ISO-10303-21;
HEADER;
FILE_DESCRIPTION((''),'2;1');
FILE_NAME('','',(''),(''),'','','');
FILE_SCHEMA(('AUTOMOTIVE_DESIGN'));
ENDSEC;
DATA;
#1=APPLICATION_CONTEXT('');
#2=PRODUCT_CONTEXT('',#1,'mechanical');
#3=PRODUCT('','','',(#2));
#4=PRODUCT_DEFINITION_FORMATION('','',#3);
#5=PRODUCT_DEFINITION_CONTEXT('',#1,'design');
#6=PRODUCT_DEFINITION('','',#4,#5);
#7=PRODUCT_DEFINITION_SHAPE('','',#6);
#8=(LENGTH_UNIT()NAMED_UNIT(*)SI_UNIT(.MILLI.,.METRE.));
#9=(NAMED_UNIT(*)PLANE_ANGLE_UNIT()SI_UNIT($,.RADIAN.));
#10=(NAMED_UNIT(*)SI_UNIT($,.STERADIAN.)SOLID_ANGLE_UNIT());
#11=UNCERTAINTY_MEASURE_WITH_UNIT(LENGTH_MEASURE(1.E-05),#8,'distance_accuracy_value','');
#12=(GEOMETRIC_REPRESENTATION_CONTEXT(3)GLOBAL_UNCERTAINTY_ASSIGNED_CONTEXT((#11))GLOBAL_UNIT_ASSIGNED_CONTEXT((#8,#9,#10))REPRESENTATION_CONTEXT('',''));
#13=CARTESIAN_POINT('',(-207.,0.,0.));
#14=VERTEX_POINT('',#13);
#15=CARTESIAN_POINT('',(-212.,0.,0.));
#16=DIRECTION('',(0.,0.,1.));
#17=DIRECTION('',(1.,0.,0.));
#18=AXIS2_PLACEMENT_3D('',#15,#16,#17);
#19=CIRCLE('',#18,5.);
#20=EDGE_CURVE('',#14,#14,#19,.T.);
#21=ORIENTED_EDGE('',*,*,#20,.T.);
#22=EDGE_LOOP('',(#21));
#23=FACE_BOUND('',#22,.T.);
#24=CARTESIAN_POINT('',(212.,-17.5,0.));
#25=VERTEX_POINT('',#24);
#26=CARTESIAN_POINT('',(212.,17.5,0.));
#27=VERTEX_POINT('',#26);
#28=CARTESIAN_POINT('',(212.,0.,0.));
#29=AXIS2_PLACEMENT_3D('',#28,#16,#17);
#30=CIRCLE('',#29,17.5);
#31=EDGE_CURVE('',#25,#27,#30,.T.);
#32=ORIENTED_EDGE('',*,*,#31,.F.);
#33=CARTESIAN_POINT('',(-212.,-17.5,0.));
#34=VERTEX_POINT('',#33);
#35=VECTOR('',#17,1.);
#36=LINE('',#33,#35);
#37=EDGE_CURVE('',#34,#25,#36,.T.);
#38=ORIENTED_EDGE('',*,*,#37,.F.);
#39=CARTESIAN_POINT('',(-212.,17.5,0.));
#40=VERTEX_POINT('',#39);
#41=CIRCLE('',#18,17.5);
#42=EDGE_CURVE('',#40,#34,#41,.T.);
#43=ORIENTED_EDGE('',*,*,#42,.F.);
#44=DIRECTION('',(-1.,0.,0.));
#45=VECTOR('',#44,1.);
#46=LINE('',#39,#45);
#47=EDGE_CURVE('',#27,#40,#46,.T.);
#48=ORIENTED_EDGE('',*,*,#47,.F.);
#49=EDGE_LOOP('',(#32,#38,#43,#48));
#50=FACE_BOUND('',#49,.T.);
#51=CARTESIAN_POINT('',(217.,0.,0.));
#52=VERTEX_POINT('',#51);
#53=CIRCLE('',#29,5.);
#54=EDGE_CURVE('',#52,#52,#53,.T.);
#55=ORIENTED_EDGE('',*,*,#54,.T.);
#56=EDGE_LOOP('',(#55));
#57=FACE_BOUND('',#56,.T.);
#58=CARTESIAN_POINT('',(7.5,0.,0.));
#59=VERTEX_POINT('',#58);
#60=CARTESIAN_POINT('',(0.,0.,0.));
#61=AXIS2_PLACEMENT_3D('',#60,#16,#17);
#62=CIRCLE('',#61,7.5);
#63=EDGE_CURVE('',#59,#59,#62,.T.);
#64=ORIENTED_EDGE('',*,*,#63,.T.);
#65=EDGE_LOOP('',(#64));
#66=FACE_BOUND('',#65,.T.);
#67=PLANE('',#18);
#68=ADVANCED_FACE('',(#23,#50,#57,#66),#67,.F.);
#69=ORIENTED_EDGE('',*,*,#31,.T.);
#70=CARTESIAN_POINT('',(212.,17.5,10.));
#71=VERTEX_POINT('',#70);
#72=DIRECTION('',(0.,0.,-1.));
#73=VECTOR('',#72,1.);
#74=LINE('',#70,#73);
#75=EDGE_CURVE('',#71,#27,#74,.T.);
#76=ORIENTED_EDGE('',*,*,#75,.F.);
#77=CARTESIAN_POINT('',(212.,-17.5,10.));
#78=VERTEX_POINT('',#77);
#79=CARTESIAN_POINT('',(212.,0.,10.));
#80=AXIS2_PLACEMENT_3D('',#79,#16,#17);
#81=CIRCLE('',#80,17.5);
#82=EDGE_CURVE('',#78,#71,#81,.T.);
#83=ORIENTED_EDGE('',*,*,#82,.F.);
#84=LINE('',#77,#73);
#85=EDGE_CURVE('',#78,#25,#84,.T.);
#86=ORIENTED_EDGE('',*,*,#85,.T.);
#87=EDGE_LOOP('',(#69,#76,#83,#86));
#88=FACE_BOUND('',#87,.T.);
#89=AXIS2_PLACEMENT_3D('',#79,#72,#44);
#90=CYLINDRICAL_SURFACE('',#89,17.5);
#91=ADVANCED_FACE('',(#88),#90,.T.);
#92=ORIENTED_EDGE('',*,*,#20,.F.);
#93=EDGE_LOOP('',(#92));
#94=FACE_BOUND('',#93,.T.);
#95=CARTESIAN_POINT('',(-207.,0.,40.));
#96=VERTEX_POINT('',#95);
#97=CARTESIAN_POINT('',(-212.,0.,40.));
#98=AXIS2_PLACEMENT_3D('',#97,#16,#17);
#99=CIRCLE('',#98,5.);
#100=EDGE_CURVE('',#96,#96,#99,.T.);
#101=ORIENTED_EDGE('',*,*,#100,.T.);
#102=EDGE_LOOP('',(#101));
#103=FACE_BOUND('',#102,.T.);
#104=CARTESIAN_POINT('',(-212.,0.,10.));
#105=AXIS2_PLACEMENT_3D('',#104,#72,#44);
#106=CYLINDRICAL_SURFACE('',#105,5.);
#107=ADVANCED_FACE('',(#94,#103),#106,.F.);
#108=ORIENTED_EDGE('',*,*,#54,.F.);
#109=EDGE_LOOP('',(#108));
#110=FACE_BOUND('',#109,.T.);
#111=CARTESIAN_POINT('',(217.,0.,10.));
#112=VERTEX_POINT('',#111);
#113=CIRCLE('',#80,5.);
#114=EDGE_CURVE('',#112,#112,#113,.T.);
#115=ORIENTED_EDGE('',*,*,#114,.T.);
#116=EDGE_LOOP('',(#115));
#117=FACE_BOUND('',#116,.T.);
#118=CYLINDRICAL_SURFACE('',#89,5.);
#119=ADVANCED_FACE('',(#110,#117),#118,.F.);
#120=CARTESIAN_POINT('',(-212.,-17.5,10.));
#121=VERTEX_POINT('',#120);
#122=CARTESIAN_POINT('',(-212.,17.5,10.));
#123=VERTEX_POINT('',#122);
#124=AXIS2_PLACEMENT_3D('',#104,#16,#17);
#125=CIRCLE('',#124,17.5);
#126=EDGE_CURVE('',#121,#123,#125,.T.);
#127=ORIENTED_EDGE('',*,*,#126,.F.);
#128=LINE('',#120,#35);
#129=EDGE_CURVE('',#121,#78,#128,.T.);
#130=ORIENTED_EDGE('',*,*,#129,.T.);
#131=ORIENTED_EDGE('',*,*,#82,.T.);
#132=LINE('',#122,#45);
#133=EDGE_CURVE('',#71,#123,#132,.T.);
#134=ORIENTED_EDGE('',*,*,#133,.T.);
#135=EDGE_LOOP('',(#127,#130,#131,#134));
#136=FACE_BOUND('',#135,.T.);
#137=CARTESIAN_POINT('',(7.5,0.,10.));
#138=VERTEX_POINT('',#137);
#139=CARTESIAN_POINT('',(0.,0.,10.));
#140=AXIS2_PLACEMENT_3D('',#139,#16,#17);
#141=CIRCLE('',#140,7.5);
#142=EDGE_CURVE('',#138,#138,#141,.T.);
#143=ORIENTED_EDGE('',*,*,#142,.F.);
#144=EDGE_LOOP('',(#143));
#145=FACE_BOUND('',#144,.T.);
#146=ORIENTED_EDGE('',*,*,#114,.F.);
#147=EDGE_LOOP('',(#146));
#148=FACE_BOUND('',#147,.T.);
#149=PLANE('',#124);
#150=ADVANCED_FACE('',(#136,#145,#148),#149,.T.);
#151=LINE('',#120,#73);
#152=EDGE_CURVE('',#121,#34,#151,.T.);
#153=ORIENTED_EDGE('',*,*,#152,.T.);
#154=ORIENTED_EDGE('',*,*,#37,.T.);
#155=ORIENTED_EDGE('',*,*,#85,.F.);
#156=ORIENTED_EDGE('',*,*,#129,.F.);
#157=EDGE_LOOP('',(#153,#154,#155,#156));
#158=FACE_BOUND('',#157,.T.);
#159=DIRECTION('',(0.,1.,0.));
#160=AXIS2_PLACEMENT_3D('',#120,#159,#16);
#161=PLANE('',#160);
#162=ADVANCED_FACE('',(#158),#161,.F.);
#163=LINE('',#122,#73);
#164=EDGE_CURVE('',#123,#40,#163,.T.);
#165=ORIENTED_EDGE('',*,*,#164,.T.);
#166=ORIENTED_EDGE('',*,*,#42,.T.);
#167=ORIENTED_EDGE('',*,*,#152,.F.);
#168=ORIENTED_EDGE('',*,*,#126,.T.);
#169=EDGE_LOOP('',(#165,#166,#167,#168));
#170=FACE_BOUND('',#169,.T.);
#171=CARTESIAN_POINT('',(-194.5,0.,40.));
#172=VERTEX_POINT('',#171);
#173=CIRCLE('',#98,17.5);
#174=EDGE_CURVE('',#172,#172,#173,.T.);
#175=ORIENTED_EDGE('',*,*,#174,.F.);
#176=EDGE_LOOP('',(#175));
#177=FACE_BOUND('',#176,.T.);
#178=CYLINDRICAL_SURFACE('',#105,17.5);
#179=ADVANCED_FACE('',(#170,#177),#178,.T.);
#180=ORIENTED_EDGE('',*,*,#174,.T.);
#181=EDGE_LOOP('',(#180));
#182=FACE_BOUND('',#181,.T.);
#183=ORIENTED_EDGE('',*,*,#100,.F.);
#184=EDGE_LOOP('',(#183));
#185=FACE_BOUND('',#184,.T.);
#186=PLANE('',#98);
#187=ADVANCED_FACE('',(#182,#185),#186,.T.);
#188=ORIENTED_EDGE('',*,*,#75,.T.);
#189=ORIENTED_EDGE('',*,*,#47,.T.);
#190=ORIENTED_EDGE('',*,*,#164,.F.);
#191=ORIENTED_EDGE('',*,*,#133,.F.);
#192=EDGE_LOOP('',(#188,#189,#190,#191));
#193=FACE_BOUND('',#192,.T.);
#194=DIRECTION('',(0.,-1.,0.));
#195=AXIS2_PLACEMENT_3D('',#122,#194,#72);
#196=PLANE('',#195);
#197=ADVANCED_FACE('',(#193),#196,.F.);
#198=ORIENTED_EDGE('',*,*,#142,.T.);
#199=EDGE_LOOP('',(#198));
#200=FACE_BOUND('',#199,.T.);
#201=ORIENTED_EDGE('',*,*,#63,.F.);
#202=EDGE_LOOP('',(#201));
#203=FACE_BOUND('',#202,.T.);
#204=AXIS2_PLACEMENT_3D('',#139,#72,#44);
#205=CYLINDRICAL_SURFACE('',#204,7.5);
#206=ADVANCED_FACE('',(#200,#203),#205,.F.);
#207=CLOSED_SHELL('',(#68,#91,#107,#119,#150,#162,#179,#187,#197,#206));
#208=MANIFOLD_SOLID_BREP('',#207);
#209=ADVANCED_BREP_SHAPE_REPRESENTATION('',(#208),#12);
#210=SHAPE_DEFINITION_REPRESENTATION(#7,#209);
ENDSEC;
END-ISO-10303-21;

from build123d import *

# Parameters (mm, degrees)
CROQUIS1_R              = 5
CROQUIS1_R_2            = 7.5
SALIENTE_EXTRUIR1_DEPTH = 10
CROQUIS2_R              = 17.5
CROQUIS2_R_2            = 5
SALIENTE_EXTRUIR2_DEPTH = 30


with BuildPart() as part:
    # Croquis1 → Saliente-Extruir1 (new body)
    with BuildSketch(Plane.XY):
        with BuildLine():
            Line((-212, 17.5), (212, 17.5))
            ThreePointArc((212, 17.5), (229.5, 0), (212, -17.5))
            Line((212, -17.5), (-212, -17.5))
            ThreePointArc((-212, -17.5), (-229.5, 0), (-212, 17.5))
        make_face()
        with Locations((-212, 0)):
            Circle(CROQUIS1_R, mode=Mode.SUBTRACT)
        with Locations((212, 0)):
            Circle(CROQUIS1_R, mode=Mode.SUBTRACT)
        Circle(CROQUIS1_R_2, mode=Mode.SUBTRACT)
    extrude(amount=SALIENTE_EXTRUIR1_DEPTH)

    # Croquis2 → Saliente-Extruir2 (add)
    with BuildSketch(Plane.XY.offset(10)):
        with Locations((-212, 0)):
            Circle(CROQUIS2_R)
        with Locations((-212, 0)):
            Circle(CROQUIS2_R_2, mode=Mode.SUBTRACT)
    extrude(amount=SALIENTE_EXTRUIR2_DEPTH)


solid = part.part
